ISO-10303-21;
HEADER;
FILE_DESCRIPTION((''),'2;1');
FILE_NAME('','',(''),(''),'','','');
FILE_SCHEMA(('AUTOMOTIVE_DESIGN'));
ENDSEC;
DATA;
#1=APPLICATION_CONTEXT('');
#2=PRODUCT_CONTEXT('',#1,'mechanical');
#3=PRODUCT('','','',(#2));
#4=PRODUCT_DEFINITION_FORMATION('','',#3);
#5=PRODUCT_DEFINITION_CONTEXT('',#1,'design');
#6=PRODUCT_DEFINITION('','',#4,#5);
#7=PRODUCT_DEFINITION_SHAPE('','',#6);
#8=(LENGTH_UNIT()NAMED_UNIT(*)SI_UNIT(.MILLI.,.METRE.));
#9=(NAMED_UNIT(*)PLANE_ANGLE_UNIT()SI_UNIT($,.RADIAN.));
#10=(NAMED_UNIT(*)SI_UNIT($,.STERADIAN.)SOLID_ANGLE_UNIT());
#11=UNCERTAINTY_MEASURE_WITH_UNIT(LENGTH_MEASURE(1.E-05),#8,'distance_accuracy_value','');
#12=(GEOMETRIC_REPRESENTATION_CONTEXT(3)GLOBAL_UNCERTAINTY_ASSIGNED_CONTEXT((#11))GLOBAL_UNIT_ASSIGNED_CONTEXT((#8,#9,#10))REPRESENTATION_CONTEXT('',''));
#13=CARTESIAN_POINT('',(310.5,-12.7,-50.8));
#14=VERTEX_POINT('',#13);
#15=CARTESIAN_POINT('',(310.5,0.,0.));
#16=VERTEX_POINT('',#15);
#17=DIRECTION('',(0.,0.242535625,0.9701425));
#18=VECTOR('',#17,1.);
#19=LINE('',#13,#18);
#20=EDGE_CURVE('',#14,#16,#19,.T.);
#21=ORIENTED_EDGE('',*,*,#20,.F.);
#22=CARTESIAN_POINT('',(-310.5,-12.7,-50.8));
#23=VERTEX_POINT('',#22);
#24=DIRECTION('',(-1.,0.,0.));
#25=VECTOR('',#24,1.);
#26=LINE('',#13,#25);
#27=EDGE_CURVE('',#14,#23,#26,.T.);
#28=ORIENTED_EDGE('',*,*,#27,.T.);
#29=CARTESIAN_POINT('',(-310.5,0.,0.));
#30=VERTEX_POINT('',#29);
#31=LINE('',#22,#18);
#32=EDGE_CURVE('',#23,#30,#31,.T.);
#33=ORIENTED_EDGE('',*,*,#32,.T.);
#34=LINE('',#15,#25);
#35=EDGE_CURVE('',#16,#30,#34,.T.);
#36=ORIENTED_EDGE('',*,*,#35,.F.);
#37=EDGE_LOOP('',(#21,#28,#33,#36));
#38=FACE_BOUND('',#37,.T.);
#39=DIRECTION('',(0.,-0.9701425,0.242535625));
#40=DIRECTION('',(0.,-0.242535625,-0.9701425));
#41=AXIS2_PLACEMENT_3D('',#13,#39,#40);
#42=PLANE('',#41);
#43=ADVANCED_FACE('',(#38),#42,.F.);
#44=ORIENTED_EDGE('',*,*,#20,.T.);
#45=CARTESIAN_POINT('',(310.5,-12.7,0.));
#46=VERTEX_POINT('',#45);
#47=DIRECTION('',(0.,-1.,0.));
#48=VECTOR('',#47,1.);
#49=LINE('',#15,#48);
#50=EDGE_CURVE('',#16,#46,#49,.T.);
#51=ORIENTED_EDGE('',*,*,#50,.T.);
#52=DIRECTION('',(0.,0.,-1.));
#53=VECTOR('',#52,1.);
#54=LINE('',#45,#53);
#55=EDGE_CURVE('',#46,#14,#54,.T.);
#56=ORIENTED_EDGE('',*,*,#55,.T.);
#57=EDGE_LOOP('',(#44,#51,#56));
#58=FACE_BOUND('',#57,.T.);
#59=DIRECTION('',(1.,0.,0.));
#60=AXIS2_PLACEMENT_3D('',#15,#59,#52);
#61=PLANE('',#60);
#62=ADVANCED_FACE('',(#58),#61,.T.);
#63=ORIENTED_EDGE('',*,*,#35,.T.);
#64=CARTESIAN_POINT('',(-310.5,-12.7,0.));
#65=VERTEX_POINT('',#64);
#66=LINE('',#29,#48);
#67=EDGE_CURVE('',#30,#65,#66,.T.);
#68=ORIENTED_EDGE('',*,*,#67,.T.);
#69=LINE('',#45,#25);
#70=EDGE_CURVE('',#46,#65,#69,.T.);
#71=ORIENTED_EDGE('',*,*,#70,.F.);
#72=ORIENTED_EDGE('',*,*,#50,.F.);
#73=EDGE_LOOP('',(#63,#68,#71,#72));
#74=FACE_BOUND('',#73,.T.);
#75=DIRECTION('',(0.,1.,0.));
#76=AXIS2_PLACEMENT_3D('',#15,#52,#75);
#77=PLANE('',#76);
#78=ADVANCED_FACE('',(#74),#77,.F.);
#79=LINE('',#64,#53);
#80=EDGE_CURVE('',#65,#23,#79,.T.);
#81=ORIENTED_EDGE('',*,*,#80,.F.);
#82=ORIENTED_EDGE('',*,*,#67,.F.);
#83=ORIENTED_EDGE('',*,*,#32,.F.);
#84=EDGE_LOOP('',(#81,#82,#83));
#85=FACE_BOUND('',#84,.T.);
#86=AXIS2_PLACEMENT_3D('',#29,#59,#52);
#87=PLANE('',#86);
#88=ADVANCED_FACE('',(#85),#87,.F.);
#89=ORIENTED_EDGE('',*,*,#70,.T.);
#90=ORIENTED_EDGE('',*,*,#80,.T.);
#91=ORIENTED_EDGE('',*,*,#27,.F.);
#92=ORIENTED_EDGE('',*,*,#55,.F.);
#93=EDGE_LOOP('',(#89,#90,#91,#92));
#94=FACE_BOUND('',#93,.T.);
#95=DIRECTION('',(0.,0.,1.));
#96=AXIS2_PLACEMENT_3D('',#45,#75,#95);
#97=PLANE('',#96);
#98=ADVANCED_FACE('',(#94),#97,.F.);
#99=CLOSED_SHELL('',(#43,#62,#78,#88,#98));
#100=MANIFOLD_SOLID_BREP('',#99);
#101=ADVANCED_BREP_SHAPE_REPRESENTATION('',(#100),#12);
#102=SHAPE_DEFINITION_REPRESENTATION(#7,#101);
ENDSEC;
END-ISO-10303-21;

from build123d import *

# Parameters (mm, degrees)
BOSS_EXTRUDE1_DEPTH = 310.5


with BuildPart() as part:
    # Sketch1 → Boss-Extrude1 (new, symmetric)
    with BuildSketch(Plane(origin=(0, 0, 0), x_dir=(0, 0, -1), z_dir=(1, 0, 0))):
        Polygon((0, 0), (0, -12.7), (50.8, -12.7), align=None)
    extrude(amount=BOSS_EXTRUDE1_DEPTH, both=True)


solid = part.part
